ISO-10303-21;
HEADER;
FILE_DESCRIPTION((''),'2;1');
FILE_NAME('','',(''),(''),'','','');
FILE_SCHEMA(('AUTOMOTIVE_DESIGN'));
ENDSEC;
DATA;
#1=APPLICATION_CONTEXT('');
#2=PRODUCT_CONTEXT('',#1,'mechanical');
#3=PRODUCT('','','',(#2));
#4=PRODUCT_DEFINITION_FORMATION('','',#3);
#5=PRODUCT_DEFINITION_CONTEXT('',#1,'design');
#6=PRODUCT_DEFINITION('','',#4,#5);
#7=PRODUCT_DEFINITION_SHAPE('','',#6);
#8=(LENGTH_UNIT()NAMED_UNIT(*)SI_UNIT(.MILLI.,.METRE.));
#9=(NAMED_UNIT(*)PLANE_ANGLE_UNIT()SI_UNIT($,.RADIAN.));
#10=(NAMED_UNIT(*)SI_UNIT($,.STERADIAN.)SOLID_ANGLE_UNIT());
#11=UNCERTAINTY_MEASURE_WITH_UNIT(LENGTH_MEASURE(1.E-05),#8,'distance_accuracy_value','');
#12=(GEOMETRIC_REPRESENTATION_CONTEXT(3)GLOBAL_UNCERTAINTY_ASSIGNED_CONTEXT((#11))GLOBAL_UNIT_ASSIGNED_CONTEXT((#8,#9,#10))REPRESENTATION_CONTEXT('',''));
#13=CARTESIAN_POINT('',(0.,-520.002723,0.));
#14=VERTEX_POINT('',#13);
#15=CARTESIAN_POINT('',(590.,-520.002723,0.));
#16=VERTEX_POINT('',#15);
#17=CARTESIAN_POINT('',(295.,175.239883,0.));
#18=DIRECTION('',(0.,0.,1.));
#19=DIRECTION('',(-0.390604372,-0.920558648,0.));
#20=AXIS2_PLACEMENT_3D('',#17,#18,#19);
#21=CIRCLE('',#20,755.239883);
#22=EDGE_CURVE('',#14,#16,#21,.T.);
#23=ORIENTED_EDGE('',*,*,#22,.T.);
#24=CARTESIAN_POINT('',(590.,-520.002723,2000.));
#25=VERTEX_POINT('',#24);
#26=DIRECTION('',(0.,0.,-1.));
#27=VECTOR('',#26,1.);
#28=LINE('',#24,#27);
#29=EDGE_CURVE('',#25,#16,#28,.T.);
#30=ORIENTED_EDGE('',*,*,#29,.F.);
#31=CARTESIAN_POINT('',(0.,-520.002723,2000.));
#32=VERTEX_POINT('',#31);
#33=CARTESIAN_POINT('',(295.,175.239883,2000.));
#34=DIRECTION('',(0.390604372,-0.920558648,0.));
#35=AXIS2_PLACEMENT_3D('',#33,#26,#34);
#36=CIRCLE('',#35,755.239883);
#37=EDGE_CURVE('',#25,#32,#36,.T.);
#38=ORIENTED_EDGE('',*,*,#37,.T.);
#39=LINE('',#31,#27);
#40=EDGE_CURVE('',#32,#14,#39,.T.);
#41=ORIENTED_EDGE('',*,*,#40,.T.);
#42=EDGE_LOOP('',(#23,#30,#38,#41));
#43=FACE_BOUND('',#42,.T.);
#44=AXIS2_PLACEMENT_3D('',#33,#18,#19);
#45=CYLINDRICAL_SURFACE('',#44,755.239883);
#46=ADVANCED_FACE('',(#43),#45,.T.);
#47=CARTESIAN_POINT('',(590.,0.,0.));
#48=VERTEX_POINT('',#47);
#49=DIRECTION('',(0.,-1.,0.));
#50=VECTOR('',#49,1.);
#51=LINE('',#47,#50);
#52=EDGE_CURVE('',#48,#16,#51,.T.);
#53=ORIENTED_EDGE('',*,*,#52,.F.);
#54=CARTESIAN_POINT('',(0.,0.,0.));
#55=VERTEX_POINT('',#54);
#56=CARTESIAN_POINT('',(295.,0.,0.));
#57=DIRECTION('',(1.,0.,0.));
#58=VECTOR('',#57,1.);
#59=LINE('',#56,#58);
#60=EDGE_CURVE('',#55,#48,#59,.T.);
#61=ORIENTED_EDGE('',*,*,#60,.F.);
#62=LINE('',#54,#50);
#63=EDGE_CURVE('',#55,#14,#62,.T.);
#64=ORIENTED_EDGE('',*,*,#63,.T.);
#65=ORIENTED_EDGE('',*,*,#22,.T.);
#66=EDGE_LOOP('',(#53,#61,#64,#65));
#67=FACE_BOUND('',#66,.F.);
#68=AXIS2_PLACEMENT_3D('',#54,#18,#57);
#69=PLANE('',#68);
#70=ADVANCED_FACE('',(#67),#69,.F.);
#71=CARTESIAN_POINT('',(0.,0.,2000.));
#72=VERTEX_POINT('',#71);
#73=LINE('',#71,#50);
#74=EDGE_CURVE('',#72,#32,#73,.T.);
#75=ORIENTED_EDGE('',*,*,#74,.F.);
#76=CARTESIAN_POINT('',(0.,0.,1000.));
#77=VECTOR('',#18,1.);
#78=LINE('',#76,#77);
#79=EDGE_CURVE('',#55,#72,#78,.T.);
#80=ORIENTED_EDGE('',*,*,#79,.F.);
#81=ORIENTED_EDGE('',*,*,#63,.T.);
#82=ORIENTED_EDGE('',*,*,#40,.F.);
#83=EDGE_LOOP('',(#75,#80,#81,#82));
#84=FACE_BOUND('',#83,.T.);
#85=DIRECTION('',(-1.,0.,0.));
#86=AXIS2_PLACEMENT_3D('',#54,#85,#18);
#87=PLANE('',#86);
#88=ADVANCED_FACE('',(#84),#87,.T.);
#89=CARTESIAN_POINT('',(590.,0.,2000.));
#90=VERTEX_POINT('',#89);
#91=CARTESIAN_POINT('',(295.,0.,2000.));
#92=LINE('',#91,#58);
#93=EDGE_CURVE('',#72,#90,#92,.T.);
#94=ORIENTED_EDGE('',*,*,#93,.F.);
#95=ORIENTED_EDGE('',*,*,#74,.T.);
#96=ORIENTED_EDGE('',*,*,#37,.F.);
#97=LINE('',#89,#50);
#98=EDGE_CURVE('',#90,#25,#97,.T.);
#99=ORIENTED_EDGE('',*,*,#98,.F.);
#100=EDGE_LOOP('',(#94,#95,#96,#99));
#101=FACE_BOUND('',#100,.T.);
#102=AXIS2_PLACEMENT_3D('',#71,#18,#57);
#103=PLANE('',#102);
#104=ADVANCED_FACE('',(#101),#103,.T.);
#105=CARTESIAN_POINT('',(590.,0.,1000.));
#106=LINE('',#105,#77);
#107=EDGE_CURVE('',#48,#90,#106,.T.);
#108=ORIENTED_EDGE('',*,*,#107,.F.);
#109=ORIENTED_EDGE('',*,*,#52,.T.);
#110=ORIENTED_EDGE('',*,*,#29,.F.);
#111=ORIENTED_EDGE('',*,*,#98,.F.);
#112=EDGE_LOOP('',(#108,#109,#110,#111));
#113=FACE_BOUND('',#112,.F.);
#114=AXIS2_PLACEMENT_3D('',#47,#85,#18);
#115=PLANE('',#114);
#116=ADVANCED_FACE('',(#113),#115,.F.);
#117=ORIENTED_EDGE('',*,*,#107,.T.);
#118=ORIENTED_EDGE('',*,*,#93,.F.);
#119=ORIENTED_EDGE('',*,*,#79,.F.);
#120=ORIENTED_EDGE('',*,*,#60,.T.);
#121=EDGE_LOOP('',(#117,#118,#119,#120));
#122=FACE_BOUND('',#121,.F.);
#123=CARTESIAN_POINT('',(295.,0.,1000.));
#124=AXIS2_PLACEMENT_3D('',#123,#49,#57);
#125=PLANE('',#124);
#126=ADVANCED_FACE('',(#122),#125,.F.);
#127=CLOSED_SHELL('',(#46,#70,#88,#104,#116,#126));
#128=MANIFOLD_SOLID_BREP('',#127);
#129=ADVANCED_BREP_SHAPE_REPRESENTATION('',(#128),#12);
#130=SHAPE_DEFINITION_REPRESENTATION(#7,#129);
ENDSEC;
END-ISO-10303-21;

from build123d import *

# Parameters (mm, degrees)
F0_W     = 590
F0_H     = 2000
F1_DEPTH = 580
F2_W     = 590
F2_H     = 520.0027227402
F3_DEPTH = 2000


with BuildPart() as f1:
    # F0 (on Front) → F1 (new body)
    with BuildSketch(Plane.XZ):
        with Locations((295, 1000)):
            Rectangle(F0_W, F0_H)
    extrude(amount=F1_DEPTH)

    # F2 (on face) → F3 (intersect, through all)
    with BuildSketch(Plane.XY.offset(2000)):
        with BuildLine():
            Line((590, -520.0027227402), (0, -520.0027227402))
            ThreePointArc((0, -520.0027227402), (295, -580), (590, -520.0027227402))
        make_face()
        with Locations((295, -260.0013613701)):
            Rectangle(F2_W, F2_H)
    extrude(amount=-F3_DEPTH, mode=Mode.INTERSECT)


solid = f1.part
